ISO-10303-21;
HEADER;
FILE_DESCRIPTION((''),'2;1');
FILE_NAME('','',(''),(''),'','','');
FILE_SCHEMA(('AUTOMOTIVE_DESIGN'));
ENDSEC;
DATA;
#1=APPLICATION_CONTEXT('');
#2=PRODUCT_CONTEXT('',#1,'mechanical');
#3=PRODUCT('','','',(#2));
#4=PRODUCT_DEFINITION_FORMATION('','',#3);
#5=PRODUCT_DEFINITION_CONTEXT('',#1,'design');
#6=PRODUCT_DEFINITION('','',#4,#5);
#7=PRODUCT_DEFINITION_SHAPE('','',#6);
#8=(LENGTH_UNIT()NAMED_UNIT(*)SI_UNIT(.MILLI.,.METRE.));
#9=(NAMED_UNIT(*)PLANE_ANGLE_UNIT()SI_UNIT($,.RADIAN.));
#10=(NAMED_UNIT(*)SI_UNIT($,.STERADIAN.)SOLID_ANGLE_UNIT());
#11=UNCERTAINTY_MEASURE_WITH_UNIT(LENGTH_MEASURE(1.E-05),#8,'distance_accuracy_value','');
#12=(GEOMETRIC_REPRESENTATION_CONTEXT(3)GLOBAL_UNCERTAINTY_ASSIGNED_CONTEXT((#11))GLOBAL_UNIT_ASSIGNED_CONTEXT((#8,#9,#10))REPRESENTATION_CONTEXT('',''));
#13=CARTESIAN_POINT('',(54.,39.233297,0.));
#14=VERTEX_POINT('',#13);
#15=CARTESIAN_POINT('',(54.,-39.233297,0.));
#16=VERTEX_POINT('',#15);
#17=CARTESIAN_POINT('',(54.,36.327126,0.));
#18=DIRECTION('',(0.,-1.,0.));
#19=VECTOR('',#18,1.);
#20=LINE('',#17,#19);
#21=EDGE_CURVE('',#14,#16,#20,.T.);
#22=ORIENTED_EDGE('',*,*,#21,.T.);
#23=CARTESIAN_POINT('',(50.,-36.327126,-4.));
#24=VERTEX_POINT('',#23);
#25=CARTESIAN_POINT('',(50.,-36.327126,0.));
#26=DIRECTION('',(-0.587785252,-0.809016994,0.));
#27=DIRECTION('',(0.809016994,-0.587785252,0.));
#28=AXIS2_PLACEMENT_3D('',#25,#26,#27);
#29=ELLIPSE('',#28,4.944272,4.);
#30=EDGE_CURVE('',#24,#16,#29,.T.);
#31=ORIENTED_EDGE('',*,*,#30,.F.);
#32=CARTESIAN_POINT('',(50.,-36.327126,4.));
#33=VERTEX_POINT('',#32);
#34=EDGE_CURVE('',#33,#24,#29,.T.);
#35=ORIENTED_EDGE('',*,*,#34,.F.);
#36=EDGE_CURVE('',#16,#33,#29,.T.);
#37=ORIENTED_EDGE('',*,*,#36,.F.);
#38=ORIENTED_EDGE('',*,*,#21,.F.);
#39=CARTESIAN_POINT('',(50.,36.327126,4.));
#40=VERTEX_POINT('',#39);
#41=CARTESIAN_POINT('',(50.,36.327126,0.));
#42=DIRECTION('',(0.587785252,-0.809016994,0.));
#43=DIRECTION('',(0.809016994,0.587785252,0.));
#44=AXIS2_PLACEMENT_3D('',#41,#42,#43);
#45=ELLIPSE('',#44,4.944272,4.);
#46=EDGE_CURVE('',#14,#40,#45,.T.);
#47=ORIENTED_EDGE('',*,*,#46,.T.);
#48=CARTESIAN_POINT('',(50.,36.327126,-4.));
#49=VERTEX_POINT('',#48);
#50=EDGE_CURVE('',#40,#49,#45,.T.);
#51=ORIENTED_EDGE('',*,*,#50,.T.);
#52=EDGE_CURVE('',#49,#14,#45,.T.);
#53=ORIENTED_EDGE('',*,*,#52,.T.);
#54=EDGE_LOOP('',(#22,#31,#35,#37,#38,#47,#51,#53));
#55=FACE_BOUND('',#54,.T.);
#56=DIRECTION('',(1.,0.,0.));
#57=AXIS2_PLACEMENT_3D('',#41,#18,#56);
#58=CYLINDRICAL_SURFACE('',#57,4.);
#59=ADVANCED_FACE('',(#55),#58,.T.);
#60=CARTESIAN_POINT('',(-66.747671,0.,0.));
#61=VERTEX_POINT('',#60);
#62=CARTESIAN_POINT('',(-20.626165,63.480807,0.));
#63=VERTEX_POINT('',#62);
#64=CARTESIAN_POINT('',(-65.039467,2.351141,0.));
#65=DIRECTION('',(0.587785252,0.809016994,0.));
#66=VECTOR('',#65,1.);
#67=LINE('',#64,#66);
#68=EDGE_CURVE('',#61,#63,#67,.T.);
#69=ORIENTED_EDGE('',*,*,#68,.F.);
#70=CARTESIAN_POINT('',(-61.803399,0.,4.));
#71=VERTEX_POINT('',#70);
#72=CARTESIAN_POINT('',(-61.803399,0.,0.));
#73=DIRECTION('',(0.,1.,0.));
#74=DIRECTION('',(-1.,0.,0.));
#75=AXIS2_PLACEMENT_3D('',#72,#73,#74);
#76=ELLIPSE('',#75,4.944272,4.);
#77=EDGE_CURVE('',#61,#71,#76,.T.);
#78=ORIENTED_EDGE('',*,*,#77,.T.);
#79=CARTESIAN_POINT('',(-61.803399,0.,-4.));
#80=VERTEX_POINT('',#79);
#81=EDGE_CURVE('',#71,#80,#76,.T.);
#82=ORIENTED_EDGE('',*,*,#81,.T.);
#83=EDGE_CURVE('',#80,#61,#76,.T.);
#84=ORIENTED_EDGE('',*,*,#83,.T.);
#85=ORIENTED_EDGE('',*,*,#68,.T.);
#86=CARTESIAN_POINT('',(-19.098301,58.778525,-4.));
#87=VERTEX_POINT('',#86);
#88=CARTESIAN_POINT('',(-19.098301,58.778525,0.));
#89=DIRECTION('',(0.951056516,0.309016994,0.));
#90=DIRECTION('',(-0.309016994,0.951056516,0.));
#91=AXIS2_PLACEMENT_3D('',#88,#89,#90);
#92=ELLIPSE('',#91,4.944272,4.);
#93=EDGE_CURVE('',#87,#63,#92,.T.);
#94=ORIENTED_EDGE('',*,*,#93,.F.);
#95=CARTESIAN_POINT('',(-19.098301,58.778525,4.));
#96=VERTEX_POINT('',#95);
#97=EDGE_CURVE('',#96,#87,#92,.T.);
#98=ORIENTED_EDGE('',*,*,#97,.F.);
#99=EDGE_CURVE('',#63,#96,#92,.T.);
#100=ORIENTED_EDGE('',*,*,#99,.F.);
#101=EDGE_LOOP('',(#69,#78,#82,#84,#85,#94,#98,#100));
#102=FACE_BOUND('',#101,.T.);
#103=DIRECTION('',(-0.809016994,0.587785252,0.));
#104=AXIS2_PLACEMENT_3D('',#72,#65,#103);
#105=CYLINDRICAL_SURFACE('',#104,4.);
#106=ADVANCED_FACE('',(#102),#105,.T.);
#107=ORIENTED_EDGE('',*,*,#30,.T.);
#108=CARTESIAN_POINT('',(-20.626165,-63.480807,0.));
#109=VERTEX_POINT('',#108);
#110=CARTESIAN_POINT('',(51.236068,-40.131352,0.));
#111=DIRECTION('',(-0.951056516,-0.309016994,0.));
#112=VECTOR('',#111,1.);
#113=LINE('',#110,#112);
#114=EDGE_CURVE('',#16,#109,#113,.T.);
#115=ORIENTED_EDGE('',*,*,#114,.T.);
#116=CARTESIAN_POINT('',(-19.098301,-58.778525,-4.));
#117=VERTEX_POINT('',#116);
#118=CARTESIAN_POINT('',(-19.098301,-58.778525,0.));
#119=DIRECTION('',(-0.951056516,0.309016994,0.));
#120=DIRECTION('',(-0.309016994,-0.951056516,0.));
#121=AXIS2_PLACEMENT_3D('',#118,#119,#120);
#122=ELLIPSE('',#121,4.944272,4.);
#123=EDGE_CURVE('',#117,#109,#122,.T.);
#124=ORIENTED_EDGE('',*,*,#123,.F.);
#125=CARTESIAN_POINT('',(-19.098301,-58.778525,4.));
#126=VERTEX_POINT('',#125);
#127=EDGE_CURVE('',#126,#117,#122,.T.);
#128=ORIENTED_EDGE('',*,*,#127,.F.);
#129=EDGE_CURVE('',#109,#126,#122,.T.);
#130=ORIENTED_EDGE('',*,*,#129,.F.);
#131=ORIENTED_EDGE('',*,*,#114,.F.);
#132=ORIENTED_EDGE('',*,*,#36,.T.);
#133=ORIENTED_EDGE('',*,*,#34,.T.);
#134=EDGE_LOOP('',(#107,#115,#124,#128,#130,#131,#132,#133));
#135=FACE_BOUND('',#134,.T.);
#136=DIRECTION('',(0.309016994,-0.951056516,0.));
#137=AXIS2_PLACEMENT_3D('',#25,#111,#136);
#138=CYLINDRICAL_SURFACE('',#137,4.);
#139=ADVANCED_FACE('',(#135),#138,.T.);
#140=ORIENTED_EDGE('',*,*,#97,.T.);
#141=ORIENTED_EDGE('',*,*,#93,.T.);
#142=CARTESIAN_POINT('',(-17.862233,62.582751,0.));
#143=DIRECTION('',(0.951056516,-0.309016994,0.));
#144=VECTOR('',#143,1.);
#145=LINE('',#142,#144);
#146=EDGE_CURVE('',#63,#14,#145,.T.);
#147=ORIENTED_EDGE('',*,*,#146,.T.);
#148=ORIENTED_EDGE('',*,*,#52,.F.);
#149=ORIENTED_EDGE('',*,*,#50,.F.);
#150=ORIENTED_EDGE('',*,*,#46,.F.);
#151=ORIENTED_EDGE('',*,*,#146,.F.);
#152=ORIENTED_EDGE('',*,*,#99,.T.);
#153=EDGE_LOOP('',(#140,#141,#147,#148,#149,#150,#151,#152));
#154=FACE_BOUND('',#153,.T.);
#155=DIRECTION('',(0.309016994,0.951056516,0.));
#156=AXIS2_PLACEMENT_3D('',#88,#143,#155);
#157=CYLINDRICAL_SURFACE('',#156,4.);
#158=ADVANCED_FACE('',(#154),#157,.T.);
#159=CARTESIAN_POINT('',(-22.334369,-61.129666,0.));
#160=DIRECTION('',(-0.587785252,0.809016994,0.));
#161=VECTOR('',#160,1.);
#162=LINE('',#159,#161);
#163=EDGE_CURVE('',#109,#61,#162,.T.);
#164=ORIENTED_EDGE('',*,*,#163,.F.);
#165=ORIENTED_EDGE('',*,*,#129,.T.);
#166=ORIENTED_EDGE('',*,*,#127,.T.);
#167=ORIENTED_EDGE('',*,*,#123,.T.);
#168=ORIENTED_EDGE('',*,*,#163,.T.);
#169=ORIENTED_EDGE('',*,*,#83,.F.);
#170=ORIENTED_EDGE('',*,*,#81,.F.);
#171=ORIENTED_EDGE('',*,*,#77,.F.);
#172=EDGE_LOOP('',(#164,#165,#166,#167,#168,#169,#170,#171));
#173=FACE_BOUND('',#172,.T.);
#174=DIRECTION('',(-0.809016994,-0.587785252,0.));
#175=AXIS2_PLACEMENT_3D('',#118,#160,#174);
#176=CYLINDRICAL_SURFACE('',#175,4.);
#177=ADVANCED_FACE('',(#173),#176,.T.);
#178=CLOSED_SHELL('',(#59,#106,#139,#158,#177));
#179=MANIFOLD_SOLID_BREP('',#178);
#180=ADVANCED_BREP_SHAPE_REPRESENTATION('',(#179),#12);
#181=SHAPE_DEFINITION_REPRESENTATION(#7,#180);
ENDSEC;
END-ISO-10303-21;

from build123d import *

# Parameters (mm, degrees)
F1_R = 4


with BuildPart() as f2:
    # F2: sweep along a path in F0
    with BuildLine(Plane.XY) as f2_path:
        Line((50, -36.3271264003), (-19.0983005625, -58.7785252292))
        Line((-19.0983005625, -58.7785252292), (-61.803398875, 0))
        Line((-61.803398875, 0), (-19.0983005625, 58.7785252292))
        Line((-19.0983005625, 58.7785252292), (50, 36.3271264003))
        Line((50, 36.3271264003), (50, -36.3271264003))
    # F1 (on Front) → F2 (sweep)
    with BuildSketch(Plane.XZ):
        with Locations((50, 0)):
            Circle(F1_R)
    sweep(path=f2_path.line, transition=Transition.RIGHT)


solid = f2.part
